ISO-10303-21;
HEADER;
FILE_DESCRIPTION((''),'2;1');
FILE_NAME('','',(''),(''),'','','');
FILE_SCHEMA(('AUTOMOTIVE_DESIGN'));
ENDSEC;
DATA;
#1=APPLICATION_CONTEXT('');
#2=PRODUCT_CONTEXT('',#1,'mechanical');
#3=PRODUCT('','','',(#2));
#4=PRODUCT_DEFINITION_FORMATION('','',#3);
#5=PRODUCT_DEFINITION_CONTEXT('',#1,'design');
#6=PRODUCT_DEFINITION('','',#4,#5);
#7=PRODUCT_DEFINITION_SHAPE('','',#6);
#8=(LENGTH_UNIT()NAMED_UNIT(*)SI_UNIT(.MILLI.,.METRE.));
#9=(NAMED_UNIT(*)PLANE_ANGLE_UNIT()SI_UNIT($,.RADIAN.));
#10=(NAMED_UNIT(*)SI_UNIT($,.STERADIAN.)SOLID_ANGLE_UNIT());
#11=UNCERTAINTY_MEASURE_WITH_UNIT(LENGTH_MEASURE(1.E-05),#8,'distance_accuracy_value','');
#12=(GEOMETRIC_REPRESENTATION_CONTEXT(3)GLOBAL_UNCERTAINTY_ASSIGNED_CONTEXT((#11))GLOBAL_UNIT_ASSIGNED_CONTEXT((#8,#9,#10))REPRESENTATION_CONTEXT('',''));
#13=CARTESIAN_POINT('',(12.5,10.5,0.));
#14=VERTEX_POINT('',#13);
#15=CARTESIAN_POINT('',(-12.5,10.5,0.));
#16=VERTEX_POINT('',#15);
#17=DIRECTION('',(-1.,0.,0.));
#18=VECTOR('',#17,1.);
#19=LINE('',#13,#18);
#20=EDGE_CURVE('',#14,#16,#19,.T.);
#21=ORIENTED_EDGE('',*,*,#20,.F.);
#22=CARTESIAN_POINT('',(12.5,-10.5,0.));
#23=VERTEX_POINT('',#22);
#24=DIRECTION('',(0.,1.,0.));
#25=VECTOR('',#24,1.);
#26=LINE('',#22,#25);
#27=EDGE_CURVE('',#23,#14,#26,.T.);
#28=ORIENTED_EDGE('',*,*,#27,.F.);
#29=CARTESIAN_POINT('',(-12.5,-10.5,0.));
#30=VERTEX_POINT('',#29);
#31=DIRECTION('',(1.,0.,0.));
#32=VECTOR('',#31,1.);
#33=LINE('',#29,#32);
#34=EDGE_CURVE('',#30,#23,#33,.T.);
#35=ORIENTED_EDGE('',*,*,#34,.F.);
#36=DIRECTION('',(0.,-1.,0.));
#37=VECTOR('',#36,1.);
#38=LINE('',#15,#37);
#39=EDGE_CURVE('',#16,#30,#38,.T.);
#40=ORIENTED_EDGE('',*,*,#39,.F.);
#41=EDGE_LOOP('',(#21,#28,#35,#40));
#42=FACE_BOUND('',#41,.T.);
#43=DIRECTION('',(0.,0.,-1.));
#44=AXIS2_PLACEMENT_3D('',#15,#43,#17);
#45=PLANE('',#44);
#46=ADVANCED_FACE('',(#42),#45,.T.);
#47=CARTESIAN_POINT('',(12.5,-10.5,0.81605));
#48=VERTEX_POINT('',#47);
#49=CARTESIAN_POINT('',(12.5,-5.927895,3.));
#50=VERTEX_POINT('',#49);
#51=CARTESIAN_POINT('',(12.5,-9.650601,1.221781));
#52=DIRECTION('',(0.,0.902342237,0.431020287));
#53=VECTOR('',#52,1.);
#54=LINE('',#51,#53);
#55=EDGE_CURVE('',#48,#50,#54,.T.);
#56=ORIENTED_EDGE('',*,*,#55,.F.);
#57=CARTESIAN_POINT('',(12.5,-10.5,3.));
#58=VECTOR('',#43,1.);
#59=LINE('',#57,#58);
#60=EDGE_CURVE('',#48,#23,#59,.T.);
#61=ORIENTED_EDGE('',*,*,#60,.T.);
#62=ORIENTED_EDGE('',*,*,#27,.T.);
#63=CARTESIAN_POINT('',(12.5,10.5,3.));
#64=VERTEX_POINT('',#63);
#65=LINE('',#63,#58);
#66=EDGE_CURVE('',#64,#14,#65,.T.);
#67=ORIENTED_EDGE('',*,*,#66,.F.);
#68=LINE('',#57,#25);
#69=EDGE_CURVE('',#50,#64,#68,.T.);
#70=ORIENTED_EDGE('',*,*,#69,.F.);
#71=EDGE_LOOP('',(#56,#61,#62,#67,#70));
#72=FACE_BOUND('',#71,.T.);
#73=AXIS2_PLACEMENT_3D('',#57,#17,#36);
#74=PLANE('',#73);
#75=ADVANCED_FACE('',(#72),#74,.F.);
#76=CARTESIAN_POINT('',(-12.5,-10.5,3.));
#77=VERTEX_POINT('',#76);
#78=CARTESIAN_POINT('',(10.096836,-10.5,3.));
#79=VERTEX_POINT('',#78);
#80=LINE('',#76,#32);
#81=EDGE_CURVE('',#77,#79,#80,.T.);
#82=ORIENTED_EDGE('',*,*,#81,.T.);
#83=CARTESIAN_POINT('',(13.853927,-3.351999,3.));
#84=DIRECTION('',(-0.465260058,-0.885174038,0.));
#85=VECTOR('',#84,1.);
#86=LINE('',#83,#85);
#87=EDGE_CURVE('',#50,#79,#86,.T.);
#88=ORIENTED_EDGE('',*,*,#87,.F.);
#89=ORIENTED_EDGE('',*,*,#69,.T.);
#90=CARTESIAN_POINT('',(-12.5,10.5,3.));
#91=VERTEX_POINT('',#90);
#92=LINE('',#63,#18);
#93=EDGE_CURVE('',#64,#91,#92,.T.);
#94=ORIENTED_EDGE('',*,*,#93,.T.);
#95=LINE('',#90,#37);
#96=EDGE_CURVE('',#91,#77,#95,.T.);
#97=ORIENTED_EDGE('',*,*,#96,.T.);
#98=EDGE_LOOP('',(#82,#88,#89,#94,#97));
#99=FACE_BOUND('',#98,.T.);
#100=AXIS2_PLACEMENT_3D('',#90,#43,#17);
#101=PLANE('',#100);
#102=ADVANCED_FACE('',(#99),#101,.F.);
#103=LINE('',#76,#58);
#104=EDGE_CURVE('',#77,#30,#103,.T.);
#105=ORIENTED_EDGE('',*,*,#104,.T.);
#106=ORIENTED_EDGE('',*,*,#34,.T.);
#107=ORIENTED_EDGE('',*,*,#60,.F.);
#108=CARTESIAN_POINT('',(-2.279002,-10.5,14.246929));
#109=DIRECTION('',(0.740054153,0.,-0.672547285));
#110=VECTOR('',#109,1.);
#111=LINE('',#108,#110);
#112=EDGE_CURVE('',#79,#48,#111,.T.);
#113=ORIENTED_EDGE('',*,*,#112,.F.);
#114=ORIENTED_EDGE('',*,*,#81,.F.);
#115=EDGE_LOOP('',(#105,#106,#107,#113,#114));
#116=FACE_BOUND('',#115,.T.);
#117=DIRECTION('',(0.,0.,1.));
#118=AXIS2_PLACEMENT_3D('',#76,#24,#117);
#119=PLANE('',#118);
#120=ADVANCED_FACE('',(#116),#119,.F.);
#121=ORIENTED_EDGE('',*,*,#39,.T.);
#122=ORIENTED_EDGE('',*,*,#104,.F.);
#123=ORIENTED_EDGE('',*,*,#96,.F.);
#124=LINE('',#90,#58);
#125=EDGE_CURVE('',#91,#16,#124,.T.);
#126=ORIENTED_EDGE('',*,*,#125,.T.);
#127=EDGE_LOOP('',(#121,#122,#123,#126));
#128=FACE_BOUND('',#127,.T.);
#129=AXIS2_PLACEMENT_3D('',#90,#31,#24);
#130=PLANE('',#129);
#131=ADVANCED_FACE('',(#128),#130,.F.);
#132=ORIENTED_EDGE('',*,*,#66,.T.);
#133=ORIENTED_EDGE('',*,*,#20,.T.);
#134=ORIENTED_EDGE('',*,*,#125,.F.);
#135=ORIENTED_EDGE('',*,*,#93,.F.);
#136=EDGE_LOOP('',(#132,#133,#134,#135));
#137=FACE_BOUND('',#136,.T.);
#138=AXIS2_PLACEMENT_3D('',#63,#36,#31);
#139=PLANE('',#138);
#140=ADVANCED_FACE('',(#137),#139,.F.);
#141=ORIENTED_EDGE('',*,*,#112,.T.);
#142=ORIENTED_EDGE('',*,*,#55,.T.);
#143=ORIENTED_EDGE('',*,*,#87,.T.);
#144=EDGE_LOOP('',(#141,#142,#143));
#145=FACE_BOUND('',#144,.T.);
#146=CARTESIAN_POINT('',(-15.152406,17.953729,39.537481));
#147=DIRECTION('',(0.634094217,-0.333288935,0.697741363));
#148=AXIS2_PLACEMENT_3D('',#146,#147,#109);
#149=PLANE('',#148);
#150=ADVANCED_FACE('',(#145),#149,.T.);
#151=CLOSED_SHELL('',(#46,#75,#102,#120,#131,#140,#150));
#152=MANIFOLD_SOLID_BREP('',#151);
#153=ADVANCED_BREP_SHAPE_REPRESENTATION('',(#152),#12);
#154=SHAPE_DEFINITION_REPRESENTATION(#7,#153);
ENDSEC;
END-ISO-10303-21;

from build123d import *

# Parameters (mm, degrees)
SKETCH_1_W               = 25
SKETCH_1_H               = 21
EXTRUDE_1_DEPTH          = 3
CUT_EXTRUDE_3_DEPTH      = 19.00065745
CUT_EXTRUDE_3_DEPTH_BACK = 8.205289813


with BuildPart() as part:
    # Эскиз1 → Вытянуть1 (new body)
    with BuildSketch(Plane.XY):
        Rectangle(SKETCH_1_W, SKETCH_1_H)
    extrude(amount=EXTRUDE_1_DEPTH)

    # Эскиз5 → Вырез-Вытянуть3 (cut, two sides)
    with BuildSketch(Plane(origin=(2.320978506, -2.004481437, -3.066738831), x_dir=(0.83223631, 0.144886823, 0.535154681), z_dir=(-0.535154681, 0.462179043, 0.707106781))) as cut_extrude_3_sk:
        Polygon((41.380676695, 44.610682214), (11.149544103, -4.761591786), (8.487106278, -9.109778524), (-21.744026314, -58.482052523), (77.000521684, -118.944317707), (140.125224694, -15.85158297), align=None)
    extrude(amount=CUT_EXTRUDE_3_DEPTH, mode=Mode.SUBTRACT)
    extrude(cut_extrude_3_sk.sketch, amount=-CUT_EXTRUDE_3_DEPTH_BACK, mode=Mode.SUBTRACT)


solid = part.part
